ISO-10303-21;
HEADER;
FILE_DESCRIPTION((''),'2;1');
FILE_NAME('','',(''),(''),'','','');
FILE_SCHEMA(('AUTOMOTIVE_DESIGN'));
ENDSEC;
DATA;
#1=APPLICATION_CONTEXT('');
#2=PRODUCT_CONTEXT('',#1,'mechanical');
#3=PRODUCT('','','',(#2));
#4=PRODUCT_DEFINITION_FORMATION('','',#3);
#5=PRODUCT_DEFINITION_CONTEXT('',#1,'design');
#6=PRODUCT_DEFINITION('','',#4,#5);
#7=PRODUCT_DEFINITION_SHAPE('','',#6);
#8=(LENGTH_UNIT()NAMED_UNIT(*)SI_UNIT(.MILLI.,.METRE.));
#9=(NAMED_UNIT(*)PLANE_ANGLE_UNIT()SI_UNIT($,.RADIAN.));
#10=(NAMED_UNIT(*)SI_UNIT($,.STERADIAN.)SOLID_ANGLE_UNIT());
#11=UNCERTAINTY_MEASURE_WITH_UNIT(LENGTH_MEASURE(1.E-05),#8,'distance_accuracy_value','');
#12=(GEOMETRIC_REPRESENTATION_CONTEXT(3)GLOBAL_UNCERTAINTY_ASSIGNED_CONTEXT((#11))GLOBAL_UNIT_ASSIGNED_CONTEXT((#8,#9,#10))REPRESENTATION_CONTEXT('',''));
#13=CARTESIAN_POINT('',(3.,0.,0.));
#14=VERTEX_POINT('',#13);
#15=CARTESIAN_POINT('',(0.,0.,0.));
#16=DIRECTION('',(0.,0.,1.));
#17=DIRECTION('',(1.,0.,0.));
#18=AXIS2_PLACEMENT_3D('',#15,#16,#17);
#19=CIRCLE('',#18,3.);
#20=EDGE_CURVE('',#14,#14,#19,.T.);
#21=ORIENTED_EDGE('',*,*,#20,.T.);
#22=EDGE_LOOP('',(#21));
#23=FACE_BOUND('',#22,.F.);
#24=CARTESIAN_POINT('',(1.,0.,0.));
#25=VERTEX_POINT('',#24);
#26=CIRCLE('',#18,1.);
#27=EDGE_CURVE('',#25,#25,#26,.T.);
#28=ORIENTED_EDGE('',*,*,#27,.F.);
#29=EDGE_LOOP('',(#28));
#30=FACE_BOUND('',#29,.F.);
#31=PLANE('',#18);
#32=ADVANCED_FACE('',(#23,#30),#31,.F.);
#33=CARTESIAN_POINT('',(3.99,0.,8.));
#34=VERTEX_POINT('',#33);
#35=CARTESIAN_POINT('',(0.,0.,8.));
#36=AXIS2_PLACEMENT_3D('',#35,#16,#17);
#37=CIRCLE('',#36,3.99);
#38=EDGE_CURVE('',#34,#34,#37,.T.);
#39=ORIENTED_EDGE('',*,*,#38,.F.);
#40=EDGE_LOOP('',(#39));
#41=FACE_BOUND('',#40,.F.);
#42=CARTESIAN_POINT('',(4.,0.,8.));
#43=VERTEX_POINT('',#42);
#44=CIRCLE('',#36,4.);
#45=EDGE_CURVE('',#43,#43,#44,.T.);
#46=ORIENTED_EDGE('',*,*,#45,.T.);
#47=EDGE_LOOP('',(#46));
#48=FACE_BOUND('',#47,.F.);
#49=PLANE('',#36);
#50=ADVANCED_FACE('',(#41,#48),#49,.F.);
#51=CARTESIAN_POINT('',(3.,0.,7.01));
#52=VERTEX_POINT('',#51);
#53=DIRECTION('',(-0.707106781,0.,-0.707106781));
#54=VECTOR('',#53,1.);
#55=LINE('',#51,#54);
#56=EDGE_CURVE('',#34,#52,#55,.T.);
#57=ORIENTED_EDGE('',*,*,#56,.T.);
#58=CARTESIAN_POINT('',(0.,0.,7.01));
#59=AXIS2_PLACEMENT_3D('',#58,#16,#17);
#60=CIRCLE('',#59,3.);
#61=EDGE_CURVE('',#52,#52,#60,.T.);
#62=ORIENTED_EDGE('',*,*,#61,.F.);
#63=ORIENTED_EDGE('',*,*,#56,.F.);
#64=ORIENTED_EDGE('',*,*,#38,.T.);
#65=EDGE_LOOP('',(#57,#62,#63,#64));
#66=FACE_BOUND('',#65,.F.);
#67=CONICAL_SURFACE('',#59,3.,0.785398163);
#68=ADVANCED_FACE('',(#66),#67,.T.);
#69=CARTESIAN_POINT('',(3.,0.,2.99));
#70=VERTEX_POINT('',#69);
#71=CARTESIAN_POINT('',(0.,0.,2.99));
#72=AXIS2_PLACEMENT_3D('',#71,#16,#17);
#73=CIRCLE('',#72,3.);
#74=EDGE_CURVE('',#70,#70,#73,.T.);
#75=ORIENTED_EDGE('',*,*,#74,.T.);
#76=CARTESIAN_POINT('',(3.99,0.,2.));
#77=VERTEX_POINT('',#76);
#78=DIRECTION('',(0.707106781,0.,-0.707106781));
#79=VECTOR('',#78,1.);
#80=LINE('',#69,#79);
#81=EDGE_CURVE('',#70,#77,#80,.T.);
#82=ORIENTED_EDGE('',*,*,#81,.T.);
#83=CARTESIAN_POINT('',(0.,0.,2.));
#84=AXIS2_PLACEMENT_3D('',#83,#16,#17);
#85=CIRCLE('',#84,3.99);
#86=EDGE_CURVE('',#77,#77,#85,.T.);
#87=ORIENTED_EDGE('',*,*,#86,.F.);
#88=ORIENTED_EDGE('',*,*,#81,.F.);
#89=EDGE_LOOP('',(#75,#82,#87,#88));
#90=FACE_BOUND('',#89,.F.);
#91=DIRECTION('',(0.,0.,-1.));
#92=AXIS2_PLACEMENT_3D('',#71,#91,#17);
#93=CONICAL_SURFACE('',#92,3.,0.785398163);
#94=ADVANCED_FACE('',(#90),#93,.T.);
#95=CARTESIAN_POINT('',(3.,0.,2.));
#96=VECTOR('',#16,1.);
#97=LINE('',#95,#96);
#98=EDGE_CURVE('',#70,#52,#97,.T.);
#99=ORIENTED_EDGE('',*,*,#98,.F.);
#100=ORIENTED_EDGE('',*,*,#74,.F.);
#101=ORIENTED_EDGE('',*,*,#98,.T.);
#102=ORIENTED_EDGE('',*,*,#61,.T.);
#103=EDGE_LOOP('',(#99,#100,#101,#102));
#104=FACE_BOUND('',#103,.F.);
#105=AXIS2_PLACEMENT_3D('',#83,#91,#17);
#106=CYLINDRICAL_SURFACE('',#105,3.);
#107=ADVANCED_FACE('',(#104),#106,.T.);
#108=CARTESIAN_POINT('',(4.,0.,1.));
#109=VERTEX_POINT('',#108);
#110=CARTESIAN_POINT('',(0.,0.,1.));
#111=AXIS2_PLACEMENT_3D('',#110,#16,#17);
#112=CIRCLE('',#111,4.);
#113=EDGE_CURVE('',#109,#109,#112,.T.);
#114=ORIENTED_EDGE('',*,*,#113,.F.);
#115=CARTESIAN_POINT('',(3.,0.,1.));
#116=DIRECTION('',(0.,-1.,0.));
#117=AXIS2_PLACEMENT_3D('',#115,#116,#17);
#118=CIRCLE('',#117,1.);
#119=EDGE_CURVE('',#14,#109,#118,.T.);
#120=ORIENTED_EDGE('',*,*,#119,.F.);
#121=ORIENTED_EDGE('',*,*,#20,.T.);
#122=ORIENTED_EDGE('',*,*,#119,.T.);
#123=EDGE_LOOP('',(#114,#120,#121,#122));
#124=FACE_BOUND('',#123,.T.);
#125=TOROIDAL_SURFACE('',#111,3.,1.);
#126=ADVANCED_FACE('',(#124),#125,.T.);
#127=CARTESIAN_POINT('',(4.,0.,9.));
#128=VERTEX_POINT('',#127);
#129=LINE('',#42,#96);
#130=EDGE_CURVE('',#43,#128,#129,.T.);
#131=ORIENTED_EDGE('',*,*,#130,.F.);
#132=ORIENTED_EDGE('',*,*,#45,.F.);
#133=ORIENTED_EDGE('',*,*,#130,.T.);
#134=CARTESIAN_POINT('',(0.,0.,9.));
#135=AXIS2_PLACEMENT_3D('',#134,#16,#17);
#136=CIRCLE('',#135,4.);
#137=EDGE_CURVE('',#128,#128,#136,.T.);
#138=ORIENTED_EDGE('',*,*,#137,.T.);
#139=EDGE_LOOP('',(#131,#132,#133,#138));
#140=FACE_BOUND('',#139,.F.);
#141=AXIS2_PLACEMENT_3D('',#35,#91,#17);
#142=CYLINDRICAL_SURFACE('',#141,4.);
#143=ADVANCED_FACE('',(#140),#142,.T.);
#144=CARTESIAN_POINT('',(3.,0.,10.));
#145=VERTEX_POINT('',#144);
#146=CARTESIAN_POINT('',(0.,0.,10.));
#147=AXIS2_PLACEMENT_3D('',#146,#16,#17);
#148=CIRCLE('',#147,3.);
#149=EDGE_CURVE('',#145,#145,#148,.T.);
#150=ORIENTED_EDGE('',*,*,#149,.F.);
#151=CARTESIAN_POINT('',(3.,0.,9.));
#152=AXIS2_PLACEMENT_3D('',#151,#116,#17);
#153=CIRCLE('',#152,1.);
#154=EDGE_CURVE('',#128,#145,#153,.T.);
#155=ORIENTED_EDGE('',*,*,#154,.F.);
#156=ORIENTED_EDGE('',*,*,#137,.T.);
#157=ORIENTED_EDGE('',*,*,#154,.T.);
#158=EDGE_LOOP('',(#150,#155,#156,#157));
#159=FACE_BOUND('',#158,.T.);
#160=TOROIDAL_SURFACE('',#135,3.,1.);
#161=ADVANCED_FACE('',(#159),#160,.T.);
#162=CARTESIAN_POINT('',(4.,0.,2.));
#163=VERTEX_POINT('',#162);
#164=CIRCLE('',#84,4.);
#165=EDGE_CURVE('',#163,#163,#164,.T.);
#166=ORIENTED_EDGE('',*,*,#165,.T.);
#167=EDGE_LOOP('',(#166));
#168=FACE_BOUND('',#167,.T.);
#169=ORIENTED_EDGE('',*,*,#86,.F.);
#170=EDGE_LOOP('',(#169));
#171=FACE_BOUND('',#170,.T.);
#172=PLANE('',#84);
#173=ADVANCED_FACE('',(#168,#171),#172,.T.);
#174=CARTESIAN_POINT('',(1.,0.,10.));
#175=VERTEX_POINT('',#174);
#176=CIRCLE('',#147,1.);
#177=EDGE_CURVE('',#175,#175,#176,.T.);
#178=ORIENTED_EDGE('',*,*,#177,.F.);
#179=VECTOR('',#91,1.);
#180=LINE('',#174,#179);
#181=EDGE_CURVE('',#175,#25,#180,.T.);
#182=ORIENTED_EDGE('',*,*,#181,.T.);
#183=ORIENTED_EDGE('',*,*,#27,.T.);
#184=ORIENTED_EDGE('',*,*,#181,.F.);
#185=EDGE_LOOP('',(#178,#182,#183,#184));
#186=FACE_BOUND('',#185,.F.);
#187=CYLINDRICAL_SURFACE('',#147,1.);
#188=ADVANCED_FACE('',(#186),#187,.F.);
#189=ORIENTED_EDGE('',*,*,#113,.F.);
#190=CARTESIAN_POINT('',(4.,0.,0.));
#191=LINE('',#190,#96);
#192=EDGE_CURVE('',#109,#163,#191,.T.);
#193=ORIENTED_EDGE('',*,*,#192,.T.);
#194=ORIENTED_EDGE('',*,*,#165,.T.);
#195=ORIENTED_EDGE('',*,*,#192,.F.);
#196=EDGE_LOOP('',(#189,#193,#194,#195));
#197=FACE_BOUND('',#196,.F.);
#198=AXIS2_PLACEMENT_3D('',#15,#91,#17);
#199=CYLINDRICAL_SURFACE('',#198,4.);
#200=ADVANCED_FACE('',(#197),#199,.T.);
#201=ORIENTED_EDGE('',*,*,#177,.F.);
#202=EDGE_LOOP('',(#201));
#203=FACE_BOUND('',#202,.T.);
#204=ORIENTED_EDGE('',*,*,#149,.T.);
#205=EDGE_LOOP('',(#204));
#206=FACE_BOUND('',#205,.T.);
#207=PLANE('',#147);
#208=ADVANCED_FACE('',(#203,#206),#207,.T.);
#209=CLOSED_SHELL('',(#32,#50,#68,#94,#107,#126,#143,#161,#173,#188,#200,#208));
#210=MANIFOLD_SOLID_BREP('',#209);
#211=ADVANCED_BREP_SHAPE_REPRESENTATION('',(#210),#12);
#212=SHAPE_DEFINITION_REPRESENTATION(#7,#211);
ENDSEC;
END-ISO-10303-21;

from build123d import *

# Parameters (mm, degrees)
SKETCH_R     = 4
PAD_DEPTH    = 2
SKETCH001_R  = 3
PAD001_DEPTH = 6
SKETCH002_R  = 4
PAD002_DEPTH = 2
SKETCH003_R  = 1
POCKET_DEPTH = 10
CHAMFER_SIZE = 0.99
FILLET_R     = 1


with BuildPart() as part:
    # Sketch → Pad (new body)
    with BuildSketch(Plane.XY):
        Circle(SKETCH_R)
    extrude(amount=PAD_DEPTH)

    # Sketch001 (on Face3 of Pad) → Pad001 (join)
    with BuildSketch(Plane.XY.offset(2)):
        Circle(SKETCH001_R)
    extrude(amount=PAD001_DEPTH)

    # Sketch002 (on Face5 of Pad001) → Pad002 (join)
    with BuildSketch(Plane.XY.offset(8)):
        Circle(SKETCH002_R)
    extrude(amount=PAD002_DEPTH)

    # Sketch003 (on Face3 of Pad002) → Pocket (cut)
    with BuildSketch(Plane.XY.offset(10)):
        Circle(SKETCH003_R)
    extrude(amount=-POCKET_DEPTH, mode=Mode.SUBTRACT)

    # Chamfer
    chamfer_edges = [part.edges().sort_by_distance(p)[0] for p in [
        (-3, 0, 8),
        (-3, 0, 2),
    ]]
    chamfer(chamfer_edges, length=CHAMFER_SIZE)

    # Fillet
    fillet_edges = [part.edges().sort_by_distance(p)[0] for p in [
        (-4, 0, 0),
        (-4, 0, 10),
    ]]
    fillet(fillet_edges, radius=FILLET_R)


solid = part.part
